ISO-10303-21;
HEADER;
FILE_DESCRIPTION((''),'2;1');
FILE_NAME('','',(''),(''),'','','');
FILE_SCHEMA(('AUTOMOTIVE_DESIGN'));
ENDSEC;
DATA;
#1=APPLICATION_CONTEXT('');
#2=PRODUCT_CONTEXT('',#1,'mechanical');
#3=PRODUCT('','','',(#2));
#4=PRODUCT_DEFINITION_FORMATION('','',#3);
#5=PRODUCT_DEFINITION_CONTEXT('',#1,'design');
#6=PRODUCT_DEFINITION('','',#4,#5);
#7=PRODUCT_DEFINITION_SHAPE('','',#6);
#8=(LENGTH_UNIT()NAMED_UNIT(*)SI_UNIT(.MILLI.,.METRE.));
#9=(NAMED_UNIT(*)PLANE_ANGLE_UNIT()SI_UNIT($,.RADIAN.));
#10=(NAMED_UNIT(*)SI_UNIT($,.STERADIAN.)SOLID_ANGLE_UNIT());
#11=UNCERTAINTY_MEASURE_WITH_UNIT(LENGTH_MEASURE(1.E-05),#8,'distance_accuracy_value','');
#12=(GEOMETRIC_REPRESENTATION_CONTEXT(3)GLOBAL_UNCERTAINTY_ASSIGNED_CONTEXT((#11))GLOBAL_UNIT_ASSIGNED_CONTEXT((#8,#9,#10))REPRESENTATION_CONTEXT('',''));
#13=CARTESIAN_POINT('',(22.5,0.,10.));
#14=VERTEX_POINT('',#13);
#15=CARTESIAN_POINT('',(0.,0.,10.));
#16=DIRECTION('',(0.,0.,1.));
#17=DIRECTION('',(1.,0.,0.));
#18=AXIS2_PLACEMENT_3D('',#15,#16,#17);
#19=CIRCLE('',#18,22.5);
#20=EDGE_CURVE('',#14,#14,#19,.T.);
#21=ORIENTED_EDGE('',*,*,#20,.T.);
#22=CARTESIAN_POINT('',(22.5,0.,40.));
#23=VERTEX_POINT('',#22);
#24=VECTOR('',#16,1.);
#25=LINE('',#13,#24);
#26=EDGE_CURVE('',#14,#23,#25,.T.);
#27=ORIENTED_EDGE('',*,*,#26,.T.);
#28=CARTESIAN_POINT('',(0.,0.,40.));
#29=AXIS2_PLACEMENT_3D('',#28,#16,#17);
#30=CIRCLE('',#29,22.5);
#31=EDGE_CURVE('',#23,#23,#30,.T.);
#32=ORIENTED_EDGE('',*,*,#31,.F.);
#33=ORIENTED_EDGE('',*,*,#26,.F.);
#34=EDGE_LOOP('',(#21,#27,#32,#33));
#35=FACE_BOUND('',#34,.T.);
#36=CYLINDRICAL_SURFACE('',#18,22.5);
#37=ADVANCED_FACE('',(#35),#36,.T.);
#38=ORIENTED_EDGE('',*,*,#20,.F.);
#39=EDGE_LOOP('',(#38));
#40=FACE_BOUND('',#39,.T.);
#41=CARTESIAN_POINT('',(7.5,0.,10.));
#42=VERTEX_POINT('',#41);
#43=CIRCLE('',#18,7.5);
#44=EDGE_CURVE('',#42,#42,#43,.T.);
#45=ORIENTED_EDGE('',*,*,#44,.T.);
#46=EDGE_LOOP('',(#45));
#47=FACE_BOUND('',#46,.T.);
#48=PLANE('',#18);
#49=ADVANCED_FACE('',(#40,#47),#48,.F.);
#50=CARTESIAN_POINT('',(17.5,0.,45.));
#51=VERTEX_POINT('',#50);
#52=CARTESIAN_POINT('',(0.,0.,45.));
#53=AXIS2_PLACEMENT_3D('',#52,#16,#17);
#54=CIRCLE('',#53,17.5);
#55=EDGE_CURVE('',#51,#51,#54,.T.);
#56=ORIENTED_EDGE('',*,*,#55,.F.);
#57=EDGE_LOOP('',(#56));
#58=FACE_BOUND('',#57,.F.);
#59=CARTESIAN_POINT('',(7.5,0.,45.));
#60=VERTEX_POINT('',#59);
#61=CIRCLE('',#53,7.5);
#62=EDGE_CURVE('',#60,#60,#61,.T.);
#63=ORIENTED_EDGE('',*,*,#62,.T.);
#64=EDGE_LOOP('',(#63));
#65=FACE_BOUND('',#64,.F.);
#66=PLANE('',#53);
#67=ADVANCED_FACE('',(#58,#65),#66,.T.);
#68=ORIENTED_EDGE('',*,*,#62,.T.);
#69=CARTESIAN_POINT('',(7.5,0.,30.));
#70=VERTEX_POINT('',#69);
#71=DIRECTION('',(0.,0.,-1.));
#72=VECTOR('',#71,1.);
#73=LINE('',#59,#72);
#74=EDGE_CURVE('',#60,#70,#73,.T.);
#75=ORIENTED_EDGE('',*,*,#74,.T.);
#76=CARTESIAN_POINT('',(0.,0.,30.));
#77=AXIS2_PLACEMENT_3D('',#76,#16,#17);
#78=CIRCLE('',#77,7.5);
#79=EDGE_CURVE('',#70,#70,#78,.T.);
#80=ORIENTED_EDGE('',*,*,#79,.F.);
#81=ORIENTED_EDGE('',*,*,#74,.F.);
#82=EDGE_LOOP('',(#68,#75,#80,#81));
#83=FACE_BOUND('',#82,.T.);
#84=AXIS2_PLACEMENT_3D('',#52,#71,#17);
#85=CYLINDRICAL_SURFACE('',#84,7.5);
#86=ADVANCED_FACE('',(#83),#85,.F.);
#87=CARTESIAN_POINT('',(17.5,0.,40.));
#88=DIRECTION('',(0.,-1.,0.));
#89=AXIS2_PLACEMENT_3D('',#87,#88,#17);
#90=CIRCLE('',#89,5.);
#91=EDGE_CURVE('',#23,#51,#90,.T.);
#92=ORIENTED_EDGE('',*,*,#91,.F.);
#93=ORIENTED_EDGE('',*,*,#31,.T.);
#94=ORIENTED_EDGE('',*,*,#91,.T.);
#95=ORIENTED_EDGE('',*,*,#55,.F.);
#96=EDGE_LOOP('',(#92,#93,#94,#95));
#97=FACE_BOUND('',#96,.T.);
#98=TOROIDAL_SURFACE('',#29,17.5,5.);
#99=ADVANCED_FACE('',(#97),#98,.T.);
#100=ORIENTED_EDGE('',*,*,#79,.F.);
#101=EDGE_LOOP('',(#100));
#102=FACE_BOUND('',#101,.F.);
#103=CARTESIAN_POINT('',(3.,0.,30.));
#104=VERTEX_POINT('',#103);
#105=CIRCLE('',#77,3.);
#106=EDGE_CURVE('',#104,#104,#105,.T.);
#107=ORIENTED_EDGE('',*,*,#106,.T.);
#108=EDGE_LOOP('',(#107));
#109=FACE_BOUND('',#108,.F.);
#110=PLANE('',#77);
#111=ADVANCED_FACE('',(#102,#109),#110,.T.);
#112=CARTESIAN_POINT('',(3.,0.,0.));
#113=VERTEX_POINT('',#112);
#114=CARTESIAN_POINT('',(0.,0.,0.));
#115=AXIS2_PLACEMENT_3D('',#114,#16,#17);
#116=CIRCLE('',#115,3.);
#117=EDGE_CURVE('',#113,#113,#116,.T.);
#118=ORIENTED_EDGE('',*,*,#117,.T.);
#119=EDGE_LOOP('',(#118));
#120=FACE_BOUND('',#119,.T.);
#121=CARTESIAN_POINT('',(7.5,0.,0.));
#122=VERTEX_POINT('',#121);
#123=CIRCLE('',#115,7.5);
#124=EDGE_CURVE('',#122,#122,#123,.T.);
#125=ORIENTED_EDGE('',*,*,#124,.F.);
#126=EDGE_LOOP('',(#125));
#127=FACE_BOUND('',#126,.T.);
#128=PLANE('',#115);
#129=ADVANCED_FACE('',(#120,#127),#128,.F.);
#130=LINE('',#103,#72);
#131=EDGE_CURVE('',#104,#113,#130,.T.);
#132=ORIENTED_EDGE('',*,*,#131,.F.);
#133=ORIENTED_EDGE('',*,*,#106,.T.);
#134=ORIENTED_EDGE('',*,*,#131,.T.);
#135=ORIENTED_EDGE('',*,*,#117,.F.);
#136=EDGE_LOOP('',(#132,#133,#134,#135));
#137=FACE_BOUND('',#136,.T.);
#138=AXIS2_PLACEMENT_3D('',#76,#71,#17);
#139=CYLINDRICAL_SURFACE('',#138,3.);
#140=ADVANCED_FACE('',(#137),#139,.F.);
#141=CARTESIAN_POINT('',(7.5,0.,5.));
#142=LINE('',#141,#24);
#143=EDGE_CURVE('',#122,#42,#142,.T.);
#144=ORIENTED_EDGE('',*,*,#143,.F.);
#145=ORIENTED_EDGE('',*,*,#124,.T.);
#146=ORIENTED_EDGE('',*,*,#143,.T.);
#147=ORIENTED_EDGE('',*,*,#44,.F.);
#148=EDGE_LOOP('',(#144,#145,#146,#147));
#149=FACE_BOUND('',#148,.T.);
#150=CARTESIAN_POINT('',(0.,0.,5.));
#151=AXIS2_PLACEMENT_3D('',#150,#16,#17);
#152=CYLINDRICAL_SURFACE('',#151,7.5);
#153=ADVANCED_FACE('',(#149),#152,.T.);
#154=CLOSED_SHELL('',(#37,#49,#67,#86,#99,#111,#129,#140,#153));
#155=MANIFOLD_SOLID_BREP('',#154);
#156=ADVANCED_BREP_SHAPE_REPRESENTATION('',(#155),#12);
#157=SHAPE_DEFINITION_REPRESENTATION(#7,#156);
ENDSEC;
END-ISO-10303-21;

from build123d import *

# Parameters (mm, degrees)
F0_W   = 15
F0_H   = 15
F0_H_2 = 20
F0_W_2 = 4.5
F0_H_3 = 10
F2_R   = 5


with BuildPart() as f1:
    # F0 (on Front) → F1 (revolve)
    with BuildSketch(Plane.XZ):
        with Locations((15, 37.5)):
            Rectangle(F0_W, F0_H)
        with Locations((15, 20)):
            Rectangle(F0_W, F0_H_2)
        with Locations((5.25, 20)):
            Rectangle(F0_W_2, F0_H_2)
        with Locations((5.25, 5)):
            Rectangle(F0_W_2, F0_H_3)
    revolve(axis=Axis((0, 0, 22.5), (0, 0, 1)))

    # F2
    f2_edges = [f1.edges().sort_by_distance(p)[0] for p in [
        (-22.5, 0, 45),
    ]]
    fillet(f2_edges, radius=F2_R)


solid = f1.part
